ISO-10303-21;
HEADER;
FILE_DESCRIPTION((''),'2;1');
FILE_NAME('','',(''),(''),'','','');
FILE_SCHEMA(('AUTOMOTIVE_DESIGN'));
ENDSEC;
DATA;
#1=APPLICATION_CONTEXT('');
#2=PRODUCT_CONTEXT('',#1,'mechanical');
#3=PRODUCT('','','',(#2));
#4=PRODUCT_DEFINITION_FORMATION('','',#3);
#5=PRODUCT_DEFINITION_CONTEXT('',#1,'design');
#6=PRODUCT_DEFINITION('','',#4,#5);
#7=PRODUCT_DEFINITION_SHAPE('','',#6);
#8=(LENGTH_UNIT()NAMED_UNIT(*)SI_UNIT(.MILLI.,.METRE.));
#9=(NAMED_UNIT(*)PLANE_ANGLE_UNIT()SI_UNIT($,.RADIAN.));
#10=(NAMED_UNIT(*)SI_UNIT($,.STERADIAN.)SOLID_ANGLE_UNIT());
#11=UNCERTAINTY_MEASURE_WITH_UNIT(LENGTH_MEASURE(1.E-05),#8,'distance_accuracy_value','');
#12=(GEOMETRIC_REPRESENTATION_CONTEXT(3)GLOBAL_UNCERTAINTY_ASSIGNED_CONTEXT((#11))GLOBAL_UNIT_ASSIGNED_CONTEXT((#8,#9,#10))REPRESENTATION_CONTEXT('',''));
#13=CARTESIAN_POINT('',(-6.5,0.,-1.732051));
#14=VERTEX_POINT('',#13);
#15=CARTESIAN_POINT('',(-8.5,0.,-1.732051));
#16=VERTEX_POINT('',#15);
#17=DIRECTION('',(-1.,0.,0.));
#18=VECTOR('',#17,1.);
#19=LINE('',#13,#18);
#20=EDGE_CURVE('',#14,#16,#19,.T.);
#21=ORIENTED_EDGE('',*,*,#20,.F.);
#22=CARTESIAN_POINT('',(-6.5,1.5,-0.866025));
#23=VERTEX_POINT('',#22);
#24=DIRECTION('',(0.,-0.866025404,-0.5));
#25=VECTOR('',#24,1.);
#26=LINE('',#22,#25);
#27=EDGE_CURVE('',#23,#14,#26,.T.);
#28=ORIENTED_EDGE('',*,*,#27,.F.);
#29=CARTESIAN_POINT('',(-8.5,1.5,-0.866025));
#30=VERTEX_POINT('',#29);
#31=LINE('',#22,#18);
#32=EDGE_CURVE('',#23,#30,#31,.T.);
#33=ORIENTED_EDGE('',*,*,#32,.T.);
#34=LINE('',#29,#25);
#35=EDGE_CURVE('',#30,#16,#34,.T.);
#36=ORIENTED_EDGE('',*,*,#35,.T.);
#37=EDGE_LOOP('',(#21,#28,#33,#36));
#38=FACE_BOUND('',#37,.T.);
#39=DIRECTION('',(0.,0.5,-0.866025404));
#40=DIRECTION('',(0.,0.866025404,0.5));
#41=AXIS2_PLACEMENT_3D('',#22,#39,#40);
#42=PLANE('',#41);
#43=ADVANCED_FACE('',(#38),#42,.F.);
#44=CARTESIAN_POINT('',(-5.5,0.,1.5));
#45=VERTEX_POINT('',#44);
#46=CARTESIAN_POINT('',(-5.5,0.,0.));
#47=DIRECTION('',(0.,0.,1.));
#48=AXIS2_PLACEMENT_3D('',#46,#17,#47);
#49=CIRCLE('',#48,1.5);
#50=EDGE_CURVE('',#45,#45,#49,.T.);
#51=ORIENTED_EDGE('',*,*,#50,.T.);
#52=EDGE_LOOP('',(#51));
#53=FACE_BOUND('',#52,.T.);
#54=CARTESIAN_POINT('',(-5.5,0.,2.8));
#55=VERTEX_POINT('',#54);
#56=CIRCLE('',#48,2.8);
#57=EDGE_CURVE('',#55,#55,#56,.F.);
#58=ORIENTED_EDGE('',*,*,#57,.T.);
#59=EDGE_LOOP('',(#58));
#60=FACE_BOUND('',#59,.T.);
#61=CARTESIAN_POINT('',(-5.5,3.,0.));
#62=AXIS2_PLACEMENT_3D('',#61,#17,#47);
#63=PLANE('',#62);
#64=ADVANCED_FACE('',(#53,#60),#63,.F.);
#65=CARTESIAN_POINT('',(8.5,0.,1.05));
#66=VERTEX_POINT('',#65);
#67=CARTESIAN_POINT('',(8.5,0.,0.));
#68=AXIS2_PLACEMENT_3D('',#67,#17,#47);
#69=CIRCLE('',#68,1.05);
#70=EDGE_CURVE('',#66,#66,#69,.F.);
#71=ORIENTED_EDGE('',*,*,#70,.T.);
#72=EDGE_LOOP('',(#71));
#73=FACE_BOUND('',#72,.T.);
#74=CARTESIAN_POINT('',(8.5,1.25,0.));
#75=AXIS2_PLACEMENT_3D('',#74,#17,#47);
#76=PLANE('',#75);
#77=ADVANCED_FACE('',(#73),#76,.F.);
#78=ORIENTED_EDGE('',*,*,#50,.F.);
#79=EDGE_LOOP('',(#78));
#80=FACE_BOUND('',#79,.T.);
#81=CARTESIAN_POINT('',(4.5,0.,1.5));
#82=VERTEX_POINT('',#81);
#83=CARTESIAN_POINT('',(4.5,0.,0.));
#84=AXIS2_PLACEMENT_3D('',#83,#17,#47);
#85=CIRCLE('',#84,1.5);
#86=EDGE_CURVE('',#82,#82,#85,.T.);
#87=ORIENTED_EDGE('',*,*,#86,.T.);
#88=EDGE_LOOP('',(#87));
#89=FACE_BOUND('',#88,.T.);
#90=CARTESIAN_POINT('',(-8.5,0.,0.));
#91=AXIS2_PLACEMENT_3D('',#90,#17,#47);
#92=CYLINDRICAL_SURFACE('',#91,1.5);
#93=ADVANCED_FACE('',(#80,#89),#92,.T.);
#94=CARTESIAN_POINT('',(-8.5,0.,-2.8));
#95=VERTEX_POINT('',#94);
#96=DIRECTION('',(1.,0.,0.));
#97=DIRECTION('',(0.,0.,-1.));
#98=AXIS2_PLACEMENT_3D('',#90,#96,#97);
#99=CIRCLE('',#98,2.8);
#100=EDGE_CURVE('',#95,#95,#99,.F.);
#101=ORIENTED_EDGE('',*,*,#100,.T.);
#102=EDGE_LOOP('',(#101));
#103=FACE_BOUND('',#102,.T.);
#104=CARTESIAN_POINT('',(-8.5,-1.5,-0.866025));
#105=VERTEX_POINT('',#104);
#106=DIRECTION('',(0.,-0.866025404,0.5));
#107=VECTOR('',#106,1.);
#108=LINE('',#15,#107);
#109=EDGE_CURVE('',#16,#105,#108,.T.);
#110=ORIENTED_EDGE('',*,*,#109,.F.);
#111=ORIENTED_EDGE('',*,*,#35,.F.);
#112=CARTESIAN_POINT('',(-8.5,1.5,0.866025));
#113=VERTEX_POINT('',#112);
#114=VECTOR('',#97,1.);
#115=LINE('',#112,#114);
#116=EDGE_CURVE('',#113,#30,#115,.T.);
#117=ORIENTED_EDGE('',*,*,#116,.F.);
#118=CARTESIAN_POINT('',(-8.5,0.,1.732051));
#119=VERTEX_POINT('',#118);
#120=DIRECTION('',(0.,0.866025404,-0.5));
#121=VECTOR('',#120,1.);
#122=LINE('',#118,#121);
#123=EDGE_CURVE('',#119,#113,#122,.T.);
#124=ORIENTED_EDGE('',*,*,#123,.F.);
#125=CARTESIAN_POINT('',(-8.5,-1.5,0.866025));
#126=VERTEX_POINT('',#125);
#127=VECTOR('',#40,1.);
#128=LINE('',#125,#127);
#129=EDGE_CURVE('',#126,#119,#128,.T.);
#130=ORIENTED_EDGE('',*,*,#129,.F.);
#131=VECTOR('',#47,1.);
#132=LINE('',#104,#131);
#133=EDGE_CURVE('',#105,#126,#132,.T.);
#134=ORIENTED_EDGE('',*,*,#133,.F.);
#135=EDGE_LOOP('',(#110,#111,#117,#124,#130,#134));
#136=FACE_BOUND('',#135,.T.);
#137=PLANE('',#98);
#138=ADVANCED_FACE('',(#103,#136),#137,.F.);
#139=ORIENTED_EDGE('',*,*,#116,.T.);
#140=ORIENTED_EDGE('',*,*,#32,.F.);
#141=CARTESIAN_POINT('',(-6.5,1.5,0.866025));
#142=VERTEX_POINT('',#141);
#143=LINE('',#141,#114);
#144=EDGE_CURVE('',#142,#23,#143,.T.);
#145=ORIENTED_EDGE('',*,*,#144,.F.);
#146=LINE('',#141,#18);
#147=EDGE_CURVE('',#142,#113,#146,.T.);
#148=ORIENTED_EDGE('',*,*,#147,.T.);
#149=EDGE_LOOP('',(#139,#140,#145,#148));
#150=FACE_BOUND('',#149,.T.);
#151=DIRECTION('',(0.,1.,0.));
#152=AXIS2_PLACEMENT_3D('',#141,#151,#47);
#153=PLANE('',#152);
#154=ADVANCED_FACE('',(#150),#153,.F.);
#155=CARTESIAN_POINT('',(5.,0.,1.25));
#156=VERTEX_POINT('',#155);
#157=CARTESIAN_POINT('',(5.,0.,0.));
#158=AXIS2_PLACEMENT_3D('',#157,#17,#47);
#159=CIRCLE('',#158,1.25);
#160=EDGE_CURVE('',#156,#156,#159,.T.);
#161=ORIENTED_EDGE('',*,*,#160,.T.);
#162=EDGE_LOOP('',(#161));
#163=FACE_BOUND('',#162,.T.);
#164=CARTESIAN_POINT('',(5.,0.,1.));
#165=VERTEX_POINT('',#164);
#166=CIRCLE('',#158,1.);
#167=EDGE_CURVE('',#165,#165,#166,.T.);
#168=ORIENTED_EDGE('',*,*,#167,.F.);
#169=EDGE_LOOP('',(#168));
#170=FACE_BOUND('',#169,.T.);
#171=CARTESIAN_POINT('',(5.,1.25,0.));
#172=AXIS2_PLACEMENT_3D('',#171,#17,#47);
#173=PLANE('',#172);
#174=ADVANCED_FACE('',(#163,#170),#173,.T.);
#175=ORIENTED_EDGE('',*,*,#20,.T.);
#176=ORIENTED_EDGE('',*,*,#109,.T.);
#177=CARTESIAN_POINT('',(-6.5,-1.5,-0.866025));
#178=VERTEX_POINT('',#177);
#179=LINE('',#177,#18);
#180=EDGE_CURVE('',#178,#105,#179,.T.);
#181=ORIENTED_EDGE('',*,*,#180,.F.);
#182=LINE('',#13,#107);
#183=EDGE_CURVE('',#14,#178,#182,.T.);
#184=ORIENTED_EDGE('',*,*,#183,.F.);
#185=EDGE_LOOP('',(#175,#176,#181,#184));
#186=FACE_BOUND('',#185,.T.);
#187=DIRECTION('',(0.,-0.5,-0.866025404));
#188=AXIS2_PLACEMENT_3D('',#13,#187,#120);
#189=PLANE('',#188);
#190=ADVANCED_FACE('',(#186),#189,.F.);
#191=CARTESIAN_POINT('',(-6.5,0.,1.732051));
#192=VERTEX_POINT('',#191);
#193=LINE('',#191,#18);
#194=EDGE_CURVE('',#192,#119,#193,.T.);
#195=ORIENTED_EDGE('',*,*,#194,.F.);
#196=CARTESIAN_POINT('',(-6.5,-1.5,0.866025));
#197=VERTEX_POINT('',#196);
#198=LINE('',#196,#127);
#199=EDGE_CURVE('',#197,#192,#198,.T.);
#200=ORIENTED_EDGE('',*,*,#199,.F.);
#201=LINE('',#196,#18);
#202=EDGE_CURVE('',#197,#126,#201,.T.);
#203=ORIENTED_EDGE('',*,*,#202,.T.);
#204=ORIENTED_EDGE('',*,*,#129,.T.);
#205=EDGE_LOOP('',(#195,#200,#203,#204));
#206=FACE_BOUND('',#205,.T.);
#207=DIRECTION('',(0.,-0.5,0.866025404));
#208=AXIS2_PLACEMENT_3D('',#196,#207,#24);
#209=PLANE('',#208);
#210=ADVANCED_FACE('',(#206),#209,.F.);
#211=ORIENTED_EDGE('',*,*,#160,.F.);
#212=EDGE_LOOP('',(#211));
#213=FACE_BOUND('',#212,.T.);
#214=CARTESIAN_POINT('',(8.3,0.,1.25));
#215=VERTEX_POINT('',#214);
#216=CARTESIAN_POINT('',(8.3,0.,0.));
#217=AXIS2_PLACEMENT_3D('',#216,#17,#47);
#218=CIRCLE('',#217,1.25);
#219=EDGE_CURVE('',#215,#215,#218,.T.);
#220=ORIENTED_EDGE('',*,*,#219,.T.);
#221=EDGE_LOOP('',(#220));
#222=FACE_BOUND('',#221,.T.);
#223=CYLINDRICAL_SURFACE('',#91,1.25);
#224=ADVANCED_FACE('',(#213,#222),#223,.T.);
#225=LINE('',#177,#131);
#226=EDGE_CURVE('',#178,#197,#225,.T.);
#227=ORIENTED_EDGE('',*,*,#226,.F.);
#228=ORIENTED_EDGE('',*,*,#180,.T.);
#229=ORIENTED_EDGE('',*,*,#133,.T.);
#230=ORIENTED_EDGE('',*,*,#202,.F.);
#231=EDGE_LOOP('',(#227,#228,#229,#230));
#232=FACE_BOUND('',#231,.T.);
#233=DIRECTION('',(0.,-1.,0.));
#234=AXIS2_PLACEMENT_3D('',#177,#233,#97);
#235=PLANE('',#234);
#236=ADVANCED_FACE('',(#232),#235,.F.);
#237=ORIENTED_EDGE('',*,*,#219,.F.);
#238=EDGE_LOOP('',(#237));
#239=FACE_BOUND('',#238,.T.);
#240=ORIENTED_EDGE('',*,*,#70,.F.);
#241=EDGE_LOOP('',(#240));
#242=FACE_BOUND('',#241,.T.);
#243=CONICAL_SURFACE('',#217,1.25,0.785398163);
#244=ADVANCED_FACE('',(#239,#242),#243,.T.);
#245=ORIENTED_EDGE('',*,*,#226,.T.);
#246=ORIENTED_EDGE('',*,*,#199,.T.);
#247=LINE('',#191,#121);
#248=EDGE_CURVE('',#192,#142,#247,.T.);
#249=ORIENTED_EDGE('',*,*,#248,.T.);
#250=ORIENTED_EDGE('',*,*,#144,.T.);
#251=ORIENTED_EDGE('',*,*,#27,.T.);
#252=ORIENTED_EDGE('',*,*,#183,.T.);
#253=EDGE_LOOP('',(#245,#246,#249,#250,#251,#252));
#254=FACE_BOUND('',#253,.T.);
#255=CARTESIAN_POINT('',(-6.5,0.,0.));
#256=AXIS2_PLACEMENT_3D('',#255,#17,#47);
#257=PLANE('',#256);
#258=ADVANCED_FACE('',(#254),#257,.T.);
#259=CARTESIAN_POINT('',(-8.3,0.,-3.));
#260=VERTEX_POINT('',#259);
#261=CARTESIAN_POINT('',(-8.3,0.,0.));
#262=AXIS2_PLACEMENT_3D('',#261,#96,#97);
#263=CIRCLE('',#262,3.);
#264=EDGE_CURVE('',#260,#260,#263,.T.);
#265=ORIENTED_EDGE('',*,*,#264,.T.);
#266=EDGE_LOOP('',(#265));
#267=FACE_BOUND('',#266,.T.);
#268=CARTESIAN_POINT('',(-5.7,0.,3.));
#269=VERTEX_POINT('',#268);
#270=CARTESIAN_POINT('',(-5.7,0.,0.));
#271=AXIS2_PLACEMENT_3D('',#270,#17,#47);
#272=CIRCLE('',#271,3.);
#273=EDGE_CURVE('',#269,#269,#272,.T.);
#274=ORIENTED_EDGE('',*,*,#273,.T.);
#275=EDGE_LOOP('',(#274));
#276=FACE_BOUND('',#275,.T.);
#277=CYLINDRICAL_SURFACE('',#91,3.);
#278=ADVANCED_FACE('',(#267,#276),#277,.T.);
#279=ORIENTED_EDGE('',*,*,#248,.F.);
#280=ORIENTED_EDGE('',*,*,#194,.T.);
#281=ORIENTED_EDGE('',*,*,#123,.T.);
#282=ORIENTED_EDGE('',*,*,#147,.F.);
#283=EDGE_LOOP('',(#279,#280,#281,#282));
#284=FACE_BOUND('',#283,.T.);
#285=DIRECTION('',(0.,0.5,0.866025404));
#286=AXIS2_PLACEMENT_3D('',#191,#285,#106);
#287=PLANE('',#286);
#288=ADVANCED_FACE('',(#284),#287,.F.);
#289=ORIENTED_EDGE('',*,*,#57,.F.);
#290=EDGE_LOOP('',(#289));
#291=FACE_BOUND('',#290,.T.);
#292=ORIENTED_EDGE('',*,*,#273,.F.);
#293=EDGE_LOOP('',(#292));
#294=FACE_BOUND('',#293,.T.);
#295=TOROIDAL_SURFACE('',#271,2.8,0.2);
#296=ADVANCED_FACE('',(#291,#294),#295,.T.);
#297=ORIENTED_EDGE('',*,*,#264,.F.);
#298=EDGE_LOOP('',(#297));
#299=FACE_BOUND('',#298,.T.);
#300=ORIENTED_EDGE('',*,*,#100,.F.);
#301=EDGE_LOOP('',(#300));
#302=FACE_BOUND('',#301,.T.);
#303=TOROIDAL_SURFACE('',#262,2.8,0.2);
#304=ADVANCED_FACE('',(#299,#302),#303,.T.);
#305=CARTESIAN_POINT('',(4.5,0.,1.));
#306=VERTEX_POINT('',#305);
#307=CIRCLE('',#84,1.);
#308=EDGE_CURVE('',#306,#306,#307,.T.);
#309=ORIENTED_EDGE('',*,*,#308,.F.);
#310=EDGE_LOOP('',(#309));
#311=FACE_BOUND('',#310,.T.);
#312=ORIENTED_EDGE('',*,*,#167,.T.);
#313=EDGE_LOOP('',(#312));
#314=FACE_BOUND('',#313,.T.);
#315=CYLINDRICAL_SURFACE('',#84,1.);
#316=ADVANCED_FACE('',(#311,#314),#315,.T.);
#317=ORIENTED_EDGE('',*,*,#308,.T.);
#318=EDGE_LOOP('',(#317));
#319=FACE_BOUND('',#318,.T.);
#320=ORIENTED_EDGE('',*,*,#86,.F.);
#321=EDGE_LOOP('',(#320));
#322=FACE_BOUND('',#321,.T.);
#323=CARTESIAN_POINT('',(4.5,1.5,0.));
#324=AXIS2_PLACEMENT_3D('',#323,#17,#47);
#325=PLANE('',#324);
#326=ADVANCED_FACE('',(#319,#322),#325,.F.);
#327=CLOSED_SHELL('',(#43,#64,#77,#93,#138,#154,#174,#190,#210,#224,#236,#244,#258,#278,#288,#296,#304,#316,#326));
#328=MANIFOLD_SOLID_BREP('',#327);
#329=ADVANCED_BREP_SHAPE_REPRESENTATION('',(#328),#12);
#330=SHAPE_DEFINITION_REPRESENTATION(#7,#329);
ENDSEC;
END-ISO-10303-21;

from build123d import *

# Parameters (mm, degrees)
FILLET_1_R          = 0.2
CHAMFER_1_SIZE      = 0.2
SKETCH_3_W          = 0.5
SKETCH_3_H          = 0.25
CUT_EXTRUDE_1_DEPTH = 2


with BuildPart() as part:
    # 草图1 → 旋转1 (revolve)
    with BuildSketch(Plane.XY):
        Polygon((-8.5, 0), (-8.5, 3), (-5.5, 3), (-5.5, 1.5), (4.5, 1.5), (4.5, 1.25), (8.5, 1.25), (8.5, 0), align=None)
    revolve(axis=Axis((-8.5, 0, 0), (1, 0, 0)))

    # 圆角1
    fillet_1_edges = [part.edges().sort_by_distance(p)[0] for p in [
        (-5.5, -3, 0),
        (-8.5, -3, 0),
    ]]
    fillet(fillet_1_edges, radius=FILLET_1_R)

    # 倒角1
    chamfer_1_edges = [part.edges().sort_by_distance(p)[0] for p in [
        (8.5, -1.25, 0),
    ]]
    chamfer(chamfer_1_edges, length=CHAMFER_1_SIZE)

    # 草图3 → 切除-旋转1 (revolve, cut)
    with BuildSketch(Plane.XY):
        with Locations((4.75, 1.125)):
            Rectangle(SKETCH_3_W, SKETCH_3_H)
    revolve(axis=Axis((4.5, 0, 0), (1, 0, 0)), mode=Mode.SUBTRACT)

    # 草图4 → 切除-拉伸1 (cut)
    with BuildSketch(Plane.ZY.offset(8.5)):
        Polygon((1.732050808, 0), (0.866025404, 1.5), (-0.866025404, 1.5), (-1.732050808, 0), (-0.866025404, -1.5), (0.866025404, -1.5), align=None)
    extrude(amount=-CUT_EXTRUDE_1_DEPTH, mode=Mode.SUBTRACT)


solid = part.part
